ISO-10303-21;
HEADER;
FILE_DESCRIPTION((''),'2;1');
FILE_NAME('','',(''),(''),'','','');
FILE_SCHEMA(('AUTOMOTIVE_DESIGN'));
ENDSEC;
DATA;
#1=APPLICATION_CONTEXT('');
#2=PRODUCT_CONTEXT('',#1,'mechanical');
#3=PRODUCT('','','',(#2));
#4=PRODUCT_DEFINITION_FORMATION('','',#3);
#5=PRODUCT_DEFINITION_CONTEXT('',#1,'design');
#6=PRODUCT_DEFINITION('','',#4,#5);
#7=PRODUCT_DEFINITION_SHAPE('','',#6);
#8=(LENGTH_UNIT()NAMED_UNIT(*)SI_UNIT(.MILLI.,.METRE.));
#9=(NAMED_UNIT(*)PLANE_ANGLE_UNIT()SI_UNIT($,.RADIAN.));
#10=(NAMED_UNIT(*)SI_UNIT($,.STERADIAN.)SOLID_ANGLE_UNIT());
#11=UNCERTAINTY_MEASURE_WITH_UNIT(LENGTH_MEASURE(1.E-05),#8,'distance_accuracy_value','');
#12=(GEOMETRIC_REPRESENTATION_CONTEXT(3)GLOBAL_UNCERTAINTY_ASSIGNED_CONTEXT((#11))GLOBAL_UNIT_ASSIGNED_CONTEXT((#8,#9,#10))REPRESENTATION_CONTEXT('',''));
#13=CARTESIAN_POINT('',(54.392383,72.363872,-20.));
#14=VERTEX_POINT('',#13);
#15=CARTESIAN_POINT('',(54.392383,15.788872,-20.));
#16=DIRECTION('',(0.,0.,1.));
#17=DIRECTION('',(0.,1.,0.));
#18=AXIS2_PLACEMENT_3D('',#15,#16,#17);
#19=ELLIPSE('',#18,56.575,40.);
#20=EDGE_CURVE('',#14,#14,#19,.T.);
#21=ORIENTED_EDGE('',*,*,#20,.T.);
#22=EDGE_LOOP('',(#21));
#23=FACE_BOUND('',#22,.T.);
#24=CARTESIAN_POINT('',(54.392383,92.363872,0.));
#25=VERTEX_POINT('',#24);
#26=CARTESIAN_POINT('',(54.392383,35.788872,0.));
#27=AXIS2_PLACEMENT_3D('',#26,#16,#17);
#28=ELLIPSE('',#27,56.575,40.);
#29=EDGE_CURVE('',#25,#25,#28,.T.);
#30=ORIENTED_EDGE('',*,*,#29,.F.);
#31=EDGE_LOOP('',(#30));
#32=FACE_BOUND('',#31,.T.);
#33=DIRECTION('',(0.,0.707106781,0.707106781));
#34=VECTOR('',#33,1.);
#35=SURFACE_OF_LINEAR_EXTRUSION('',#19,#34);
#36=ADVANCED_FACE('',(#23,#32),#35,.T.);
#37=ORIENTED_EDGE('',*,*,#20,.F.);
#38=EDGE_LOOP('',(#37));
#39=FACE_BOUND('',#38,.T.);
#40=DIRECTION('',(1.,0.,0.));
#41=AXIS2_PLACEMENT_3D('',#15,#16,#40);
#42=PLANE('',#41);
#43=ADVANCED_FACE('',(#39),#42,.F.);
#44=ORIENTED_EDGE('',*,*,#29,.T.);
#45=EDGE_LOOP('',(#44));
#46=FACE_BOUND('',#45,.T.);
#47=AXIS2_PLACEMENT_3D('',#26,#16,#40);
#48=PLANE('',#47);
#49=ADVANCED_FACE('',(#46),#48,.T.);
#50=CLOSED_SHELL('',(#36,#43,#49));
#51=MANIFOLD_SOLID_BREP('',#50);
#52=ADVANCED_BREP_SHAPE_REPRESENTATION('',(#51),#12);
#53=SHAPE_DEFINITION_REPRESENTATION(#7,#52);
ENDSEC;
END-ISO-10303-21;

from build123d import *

# Parameters (mm, degrees)
SKETCH_1_RX     = 56.575
SKETCH_1_RY     = 40
EXTRUDE_1_DEPTH = 28.284271247


with BuildPart() as part:
    # 草图1 → 凸台-拉伸1 (new, along a direction that is not the sketch's normal)
    with BuildSketch(Plane.XY):
        with Locations(Location((54.392382982, 35.78887153), (0, 0, 90))):
            Ellipse(SKETCH_1_RX, SKETCH_1_RY)
    extrude(amount=-EXTRUDE_1_DEPTH, dir=(0, 0.7071067811865496, 0.7071067811865456))


solid = part.part
